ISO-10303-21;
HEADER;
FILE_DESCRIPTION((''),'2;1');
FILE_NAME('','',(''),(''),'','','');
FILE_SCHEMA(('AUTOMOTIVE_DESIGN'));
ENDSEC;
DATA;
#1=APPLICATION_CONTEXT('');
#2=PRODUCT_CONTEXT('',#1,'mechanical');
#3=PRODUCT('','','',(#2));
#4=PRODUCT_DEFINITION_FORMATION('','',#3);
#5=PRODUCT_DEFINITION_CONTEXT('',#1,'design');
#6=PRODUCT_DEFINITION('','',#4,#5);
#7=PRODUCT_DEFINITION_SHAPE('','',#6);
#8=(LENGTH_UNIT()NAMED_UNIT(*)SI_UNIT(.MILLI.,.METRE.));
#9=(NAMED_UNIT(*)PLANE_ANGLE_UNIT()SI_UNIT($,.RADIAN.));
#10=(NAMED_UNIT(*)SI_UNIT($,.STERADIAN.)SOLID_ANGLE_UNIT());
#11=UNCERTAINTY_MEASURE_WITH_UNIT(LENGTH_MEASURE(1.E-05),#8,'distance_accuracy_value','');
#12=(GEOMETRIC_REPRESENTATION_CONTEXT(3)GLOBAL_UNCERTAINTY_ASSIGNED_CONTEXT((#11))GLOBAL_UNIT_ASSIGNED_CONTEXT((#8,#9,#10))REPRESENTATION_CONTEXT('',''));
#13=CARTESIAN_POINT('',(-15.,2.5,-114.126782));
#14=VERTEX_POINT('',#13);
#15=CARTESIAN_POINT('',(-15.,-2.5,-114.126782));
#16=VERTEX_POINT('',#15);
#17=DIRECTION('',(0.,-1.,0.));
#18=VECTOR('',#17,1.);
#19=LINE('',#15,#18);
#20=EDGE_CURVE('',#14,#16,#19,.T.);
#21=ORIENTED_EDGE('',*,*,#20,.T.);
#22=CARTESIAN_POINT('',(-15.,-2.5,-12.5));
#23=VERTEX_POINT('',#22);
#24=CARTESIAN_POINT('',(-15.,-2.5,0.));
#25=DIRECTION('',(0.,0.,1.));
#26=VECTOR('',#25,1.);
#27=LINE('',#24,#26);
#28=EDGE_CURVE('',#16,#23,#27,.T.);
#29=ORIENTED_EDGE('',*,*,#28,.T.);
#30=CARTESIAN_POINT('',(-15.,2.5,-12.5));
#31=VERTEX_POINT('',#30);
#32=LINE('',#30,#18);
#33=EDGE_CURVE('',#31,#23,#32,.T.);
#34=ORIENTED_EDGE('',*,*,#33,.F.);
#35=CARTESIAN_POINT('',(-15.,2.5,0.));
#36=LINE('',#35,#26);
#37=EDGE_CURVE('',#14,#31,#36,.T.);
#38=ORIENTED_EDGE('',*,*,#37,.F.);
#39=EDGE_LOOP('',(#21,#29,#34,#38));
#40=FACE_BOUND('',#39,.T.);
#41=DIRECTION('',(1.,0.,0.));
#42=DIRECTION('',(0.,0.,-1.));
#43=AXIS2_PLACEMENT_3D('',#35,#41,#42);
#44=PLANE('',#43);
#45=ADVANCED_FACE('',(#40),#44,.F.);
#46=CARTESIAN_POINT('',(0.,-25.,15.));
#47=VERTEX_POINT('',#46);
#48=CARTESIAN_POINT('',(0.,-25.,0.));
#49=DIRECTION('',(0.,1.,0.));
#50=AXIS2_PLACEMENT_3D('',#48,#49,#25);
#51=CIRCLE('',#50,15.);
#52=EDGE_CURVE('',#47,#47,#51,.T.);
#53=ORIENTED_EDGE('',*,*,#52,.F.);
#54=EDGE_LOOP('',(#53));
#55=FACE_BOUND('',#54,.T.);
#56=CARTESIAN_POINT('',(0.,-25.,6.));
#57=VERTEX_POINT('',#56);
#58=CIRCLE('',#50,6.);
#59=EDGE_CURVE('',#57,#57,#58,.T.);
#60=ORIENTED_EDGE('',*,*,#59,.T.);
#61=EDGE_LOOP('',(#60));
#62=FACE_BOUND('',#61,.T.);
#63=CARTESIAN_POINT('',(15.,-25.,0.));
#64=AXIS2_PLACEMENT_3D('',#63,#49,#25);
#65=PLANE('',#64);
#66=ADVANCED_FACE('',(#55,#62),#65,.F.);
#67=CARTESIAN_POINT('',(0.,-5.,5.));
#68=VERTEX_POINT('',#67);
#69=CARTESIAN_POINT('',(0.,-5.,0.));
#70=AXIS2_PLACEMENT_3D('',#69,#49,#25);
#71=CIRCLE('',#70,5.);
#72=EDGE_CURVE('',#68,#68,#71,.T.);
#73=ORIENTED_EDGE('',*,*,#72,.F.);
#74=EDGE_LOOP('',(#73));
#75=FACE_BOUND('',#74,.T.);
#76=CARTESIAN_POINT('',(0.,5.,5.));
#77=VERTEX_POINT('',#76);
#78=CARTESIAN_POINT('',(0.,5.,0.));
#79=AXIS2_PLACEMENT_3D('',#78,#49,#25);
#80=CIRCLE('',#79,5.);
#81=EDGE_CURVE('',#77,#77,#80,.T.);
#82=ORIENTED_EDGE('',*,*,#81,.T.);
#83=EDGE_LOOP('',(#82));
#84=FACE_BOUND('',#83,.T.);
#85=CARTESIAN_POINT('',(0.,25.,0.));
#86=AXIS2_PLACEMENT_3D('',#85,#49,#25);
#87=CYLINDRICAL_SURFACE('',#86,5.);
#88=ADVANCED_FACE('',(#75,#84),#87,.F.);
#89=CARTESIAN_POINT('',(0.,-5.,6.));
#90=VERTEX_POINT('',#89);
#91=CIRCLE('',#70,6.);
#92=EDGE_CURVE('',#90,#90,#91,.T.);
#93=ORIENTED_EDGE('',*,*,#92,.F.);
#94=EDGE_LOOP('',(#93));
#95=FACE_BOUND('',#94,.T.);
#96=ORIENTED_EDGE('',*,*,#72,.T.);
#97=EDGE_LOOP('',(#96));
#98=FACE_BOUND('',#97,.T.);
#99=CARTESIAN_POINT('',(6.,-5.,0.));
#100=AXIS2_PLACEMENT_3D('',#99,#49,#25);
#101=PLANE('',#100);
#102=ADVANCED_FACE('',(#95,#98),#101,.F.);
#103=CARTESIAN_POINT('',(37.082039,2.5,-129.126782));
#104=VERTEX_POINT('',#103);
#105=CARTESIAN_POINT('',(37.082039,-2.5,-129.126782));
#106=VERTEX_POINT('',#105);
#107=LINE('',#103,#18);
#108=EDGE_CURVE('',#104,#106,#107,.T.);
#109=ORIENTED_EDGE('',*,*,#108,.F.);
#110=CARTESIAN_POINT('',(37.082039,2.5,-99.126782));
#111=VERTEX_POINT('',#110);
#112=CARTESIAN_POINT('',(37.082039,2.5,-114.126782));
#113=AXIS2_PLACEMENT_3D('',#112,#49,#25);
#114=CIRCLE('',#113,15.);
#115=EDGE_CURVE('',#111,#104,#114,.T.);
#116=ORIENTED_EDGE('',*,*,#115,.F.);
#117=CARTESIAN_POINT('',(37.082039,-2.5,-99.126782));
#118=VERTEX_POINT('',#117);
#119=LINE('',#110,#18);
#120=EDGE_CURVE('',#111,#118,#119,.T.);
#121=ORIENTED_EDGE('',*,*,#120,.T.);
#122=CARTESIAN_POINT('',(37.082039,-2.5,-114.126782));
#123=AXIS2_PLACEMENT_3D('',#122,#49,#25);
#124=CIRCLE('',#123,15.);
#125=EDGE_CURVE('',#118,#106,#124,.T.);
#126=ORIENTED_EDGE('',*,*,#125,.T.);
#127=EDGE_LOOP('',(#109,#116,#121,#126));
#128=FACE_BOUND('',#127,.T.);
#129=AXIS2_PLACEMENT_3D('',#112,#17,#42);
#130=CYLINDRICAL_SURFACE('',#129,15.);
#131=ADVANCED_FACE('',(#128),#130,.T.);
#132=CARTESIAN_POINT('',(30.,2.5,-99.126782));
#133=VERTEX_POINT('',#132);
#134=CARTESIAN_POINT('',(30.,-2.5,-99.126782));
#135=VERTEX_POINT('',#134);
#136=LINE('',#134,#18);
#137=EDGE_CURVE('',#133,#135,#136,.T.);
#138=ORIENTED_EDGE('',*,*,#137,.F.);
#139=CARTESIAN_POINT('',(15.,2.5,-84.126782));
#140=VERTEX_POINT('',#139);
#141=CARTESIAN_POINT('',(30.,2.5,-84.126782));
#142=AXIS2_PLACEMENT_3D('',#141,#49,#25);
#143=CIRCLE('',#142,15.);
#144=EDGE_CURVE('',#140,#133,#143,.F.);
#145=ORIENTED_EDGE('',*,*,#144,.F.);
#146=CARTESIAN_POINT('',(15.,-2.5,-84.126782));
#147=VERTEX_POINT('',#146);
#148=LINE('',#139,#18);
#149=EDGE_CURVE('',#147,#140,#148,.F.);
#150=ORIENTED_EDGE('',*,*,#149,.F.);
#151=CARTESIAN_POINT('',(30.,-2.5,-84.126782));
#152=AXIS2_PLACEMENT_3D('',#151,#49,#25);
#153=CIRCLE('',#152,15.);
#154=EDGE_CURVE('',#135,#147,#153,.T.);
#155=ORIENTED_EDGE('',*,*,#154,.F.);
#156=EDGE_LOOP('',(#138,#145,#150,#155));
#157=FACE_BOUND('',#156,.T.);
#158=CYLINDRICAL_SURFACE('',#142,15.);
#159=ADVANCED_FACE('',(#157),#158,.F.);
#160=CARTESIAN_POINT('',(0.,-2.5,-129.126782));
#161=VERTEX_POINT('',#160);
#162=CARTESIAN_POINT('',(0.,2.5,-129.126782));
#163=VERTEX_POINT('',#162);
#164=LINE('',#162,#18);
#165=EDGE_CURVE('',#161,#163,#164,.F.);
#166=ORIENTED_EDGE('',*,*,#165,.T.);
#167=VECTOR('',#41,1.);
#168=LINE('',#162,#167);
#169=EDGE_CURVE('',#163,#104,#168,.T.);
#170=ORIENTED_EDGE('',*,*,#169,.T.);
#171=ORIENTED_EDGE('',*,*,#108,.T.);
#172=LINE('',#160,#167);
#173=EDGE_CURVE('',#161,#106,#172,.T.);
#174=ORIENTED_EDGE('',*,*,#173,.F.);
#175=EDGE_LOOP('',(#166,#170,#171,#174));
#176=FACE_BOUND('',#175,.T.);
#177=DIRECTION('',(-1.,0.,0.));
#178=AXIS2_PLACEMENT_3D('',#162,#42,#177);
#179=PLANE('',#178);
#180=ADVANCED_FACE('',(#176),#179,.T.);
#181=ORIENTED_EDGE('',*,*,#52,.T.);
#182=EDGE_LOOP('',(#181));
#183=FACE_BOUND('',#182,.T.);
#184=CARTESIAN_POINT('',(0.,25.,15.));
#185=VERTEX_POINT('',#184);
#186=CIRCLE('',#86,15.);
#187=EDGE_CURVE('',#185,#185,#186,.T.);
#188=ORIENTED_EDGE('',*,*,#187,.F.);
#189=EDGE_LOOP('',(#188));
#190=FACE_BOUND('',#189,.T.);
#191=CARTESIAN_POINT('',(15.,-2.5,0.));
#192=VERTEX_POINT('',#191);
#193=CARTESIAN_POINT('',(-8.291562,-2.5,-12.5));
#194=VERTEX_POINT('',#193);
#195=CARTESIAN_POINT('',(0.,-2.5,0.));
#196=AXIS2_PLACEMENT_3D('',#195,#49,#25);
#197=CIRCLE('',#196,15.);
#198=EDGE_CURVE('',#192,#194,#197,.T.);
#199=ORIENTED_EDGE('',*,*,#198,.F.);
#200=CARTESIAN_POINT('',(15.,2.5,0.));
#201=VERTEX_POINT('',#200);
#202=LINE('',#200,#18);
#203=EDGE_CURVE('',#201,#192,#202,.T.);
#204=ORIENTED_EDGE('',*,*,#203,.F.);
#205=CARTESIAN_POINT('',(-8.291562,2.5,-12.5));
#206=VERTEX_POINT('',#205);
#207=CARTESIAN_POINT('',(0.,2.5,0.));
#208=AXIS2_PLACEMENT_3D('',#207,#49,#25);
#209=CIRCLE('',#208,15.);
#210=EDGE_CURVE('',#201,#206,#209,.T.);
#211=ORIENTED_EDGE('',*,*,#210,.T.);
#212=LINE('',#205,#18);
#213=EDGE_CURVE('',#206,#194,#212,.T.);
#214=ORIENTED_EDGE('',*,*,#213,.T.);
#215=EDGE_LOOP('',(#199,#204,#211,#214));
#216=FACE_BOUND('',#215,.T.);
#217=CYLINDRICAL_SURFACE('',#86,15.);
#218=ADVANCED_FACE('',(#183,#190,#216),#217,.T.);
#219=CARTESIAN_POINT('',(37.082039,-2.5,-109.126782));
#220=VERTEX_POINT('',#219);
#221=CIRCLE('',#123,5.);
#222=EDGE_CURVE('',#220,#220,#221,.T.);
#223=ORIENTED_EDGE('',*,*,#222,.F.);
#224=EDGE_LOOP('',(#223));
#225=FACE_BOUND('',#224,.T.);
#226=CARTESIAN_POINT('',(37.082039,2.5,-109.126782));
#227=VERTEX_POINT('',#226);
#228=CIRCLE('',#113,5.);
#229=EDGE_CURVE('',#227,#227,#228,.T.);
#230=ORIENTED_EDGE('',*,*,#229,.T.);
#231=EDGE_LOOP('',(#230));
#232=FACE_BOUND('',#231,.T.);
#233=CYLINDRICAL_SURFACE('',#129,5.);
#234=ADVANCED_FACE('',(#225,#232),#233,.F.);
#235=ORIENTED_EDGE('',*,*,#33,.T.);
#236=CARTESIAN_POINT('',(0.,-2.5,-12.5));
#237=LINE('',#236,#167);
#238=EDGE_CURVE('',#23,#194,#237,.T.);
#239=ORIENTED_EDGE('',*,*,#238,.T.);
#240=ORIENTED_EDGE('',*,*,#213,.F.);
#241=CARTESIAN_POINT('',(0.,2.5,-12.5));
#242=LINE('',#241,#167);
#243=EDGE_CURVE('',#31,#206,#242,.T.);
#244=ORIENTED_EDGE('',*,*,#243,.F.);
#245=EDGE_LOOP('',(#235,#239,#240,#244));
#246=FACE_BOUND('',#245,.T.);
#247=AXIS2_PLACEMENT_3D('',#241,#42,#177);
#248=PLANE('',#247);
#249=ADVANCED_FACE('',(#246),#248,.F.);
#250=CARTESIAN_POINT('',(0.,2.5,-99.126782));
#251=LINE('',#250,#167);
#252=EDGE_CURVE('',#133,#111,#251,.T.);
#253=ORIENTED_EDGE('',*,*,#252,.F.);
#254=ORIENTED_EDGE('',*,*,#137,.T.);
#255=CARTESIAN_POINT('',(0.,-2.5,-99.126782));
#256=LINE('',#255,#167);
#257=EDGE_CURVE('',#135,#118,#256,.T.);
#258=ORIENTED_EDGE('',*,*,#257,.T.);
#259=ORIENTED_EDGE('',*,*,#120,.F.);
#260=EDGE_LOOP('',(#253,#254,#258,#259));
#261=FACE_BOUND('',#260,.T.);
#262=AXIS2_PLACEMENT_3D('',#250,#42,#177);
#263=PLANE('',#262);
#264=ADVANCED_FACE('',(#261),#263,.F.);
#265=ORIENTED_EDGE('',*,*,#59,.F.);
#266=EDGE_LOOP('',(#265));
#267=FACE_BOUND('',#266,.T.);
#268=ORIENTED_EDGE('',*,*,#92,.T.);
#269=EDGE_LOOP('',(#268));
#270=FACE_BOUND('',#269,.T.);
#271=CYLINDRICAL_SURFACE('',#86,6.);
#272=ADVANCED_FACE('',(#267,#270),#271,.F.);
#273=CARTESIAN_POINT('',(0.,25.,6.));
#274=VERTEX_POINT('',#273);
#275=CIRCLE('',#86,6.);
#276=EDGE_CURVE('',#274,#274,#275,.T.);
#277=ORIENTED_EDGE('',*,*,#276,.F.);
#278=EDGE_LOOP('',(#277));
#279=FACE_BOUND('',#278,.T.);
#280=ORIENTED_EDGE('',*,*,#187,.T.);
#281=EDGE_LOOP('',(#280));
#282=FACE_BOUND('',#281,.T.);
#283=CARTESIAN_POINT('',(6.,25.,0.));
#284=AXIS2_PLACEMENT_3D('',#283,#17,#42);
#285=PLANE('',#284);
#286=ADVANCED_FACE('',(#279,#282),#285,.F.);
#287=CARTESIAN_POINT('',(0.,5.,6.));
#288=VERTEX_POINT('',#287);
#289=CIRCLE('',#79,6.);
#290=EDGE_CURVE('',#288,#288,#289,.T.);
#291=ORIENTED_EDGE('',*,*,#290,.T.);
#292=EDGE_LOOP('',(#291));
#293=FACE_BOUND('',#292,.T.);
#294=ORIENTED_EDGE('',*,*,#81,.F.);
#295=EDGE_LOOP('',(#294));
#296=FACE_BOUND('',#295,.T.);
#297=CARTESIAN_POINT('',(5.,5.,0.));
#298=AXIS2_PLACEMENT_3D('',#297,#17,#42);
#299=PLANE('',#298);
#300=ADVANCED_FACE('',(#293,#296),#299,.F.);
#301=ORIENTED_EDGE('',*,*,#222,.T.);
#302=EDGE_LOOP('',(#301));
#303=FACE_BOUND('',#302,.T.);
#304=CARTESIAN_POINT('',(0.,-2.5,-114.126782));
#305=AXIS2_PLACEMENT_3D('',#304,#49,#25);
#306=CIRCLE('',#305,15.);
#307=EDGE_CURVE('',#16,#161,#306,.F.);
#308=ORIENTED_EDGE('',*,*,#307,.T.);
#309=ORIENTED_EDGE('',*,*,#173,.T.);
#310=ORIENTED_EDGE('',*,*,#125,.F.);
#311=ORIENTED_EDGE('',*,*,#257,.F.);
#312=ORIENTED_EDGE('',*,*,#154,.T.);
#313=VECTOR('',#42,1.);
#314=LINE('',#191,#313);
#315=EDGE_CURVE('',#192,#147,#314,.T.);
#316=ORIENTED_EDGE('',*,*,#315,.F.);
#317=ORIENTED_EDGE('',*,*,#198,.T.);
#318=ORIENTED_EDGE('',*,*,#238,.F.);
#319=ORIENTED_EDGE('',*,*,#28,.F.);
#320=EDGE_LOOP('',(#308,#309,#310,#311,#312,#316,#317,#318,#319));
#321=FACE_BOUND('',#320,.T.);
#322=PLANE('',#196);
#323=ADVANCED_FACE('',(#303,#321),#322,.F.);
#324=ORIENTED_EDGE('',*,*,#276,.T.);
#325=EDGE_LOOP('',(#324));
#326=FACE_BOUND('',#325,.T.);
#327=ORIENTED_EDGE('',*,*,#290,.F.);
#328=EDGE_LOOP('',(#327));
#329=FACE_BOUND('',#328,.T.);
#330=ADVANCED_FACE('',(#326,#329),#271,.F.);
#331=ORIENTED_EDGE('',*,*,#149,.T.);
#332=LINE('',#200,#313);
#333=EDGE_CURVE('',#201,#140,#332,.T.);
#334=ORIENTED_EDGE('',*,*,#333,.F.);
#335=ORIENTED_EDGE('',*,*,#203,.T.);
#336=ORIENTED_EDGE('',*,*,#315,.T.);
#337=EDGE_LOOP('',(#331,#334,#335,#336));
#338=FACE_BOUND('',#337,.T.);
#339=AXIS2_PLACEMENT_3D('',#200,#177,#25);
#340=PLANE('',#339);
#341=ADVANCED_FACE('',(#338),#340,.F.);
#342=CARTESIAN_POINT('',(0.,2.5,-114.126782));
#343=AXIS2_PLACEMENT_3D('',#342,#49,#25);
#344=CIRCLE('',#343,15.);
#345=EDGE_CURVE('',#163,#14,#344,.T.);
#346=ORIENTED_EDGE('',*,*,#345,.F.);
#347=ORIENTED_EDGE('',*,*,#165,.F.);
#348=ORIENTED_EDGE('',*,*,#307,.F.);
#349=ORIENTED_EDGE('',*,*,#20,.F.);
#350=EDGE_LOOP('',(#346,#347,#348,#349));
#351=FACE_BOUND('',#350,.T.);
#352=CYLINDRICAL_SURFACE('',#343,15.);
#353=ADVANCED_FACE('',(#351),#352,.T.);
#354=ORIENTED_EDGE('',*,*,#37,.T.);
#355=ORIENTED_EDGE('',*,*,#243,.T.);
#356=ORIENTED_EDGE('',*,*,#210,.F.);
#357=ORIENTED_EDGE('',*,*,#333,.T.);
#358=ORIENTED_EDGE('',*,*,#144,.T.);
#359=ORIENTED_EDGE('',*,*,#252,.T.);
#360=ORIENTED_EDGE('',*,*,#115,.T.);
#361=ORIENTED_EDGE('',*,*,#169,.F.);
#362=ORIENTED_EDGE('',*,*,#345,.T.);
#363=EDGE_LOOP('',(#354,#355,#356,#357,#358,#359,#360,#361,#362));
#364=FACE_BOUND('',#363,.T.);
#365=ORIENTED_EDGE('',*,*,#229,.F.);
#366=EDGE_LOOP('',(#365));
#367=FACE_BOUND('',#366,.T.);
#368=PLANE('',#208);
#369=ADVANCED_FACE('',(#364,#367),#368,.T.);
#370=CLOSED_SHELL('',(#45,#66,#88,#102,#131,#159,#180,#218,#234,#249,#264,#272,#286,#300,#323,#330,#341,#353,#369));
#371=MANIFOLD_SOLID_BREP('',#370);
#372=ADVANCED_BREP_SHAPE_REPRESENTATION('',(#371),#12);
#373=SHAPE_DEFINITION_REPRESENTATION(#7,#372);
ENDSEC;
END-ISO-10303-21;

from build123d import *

# Parameters (mm, degrees)
SKETCH7_R           = 5
BOSS_EXTRUDE1_DEPTH = 2.5
FILLET3_R           = 15


with BuildPart() as part:
    # Sketch4 → Revolve1 (revolve)
    with BuildSketch(Plane.XY, mode=Mode.PRIVATE) as revolve1_sk:
        Polygon((5, 5), (5, -5), (6, -5), (6, -25), (15, -25), (15, 25), (6, 25), (6, 5), align=None)
    revolve(revolve1_sk.sketch.rotate(Axis((0, 25, 0), (0, -1, 0)), 90), axis=Axis((0, 25, 0), (0, -1, 0)))

    # Sketch7 → Boss-Extrude1 (add, symmetric)
    with BuildSketch(Plane(origin=(0, 0, 0), x_dir=(1, 0, 0), z_dir=(0, 1, 0))):
        with BuildLine():
            Line((-15, 129.126781955), (-15, 12.5))
            Line((-15, 12.5), (-8.291561976, 12.5))
            ThreePointArc((-8.291561976, 12.5), (-4.330127019, 14.361406616), (0, 15))
            ThreePointArc((0, 15), (10.606601718, 10.606601718), (15, 0))
            Line((15, 0), (15, 99.126781955))
            Line((15, 99.126781955), (37.082039325, 99.126781955))
            ThreePointArc((37.082039325, 99.126781955), (52.082039325, 114.126781955), (37.082039325, 129.126781955))
            Line((37.082039325, 129.126781955), (-15, 129.126781955))
        make_face()
        with Locations(Location((37.082039325, 114.126781955, 0), (0, 0, 270))):
            Circle(SKETCH7_R, mode=Mode.SUBTRACT)
    extrude(amount=BOSS_EXTRUDE1_DEPTH, both=True)

    # Fillet3
    fillet3_edges = [part.edges().sort_by_distance(p)[0] for p in [
        (15, 0, -99.126781955),
        (-15, 0, -129.126781955),
    ]]
    fillet(fillet3_edges, radius=FILLET3_R)


solid = part.part
